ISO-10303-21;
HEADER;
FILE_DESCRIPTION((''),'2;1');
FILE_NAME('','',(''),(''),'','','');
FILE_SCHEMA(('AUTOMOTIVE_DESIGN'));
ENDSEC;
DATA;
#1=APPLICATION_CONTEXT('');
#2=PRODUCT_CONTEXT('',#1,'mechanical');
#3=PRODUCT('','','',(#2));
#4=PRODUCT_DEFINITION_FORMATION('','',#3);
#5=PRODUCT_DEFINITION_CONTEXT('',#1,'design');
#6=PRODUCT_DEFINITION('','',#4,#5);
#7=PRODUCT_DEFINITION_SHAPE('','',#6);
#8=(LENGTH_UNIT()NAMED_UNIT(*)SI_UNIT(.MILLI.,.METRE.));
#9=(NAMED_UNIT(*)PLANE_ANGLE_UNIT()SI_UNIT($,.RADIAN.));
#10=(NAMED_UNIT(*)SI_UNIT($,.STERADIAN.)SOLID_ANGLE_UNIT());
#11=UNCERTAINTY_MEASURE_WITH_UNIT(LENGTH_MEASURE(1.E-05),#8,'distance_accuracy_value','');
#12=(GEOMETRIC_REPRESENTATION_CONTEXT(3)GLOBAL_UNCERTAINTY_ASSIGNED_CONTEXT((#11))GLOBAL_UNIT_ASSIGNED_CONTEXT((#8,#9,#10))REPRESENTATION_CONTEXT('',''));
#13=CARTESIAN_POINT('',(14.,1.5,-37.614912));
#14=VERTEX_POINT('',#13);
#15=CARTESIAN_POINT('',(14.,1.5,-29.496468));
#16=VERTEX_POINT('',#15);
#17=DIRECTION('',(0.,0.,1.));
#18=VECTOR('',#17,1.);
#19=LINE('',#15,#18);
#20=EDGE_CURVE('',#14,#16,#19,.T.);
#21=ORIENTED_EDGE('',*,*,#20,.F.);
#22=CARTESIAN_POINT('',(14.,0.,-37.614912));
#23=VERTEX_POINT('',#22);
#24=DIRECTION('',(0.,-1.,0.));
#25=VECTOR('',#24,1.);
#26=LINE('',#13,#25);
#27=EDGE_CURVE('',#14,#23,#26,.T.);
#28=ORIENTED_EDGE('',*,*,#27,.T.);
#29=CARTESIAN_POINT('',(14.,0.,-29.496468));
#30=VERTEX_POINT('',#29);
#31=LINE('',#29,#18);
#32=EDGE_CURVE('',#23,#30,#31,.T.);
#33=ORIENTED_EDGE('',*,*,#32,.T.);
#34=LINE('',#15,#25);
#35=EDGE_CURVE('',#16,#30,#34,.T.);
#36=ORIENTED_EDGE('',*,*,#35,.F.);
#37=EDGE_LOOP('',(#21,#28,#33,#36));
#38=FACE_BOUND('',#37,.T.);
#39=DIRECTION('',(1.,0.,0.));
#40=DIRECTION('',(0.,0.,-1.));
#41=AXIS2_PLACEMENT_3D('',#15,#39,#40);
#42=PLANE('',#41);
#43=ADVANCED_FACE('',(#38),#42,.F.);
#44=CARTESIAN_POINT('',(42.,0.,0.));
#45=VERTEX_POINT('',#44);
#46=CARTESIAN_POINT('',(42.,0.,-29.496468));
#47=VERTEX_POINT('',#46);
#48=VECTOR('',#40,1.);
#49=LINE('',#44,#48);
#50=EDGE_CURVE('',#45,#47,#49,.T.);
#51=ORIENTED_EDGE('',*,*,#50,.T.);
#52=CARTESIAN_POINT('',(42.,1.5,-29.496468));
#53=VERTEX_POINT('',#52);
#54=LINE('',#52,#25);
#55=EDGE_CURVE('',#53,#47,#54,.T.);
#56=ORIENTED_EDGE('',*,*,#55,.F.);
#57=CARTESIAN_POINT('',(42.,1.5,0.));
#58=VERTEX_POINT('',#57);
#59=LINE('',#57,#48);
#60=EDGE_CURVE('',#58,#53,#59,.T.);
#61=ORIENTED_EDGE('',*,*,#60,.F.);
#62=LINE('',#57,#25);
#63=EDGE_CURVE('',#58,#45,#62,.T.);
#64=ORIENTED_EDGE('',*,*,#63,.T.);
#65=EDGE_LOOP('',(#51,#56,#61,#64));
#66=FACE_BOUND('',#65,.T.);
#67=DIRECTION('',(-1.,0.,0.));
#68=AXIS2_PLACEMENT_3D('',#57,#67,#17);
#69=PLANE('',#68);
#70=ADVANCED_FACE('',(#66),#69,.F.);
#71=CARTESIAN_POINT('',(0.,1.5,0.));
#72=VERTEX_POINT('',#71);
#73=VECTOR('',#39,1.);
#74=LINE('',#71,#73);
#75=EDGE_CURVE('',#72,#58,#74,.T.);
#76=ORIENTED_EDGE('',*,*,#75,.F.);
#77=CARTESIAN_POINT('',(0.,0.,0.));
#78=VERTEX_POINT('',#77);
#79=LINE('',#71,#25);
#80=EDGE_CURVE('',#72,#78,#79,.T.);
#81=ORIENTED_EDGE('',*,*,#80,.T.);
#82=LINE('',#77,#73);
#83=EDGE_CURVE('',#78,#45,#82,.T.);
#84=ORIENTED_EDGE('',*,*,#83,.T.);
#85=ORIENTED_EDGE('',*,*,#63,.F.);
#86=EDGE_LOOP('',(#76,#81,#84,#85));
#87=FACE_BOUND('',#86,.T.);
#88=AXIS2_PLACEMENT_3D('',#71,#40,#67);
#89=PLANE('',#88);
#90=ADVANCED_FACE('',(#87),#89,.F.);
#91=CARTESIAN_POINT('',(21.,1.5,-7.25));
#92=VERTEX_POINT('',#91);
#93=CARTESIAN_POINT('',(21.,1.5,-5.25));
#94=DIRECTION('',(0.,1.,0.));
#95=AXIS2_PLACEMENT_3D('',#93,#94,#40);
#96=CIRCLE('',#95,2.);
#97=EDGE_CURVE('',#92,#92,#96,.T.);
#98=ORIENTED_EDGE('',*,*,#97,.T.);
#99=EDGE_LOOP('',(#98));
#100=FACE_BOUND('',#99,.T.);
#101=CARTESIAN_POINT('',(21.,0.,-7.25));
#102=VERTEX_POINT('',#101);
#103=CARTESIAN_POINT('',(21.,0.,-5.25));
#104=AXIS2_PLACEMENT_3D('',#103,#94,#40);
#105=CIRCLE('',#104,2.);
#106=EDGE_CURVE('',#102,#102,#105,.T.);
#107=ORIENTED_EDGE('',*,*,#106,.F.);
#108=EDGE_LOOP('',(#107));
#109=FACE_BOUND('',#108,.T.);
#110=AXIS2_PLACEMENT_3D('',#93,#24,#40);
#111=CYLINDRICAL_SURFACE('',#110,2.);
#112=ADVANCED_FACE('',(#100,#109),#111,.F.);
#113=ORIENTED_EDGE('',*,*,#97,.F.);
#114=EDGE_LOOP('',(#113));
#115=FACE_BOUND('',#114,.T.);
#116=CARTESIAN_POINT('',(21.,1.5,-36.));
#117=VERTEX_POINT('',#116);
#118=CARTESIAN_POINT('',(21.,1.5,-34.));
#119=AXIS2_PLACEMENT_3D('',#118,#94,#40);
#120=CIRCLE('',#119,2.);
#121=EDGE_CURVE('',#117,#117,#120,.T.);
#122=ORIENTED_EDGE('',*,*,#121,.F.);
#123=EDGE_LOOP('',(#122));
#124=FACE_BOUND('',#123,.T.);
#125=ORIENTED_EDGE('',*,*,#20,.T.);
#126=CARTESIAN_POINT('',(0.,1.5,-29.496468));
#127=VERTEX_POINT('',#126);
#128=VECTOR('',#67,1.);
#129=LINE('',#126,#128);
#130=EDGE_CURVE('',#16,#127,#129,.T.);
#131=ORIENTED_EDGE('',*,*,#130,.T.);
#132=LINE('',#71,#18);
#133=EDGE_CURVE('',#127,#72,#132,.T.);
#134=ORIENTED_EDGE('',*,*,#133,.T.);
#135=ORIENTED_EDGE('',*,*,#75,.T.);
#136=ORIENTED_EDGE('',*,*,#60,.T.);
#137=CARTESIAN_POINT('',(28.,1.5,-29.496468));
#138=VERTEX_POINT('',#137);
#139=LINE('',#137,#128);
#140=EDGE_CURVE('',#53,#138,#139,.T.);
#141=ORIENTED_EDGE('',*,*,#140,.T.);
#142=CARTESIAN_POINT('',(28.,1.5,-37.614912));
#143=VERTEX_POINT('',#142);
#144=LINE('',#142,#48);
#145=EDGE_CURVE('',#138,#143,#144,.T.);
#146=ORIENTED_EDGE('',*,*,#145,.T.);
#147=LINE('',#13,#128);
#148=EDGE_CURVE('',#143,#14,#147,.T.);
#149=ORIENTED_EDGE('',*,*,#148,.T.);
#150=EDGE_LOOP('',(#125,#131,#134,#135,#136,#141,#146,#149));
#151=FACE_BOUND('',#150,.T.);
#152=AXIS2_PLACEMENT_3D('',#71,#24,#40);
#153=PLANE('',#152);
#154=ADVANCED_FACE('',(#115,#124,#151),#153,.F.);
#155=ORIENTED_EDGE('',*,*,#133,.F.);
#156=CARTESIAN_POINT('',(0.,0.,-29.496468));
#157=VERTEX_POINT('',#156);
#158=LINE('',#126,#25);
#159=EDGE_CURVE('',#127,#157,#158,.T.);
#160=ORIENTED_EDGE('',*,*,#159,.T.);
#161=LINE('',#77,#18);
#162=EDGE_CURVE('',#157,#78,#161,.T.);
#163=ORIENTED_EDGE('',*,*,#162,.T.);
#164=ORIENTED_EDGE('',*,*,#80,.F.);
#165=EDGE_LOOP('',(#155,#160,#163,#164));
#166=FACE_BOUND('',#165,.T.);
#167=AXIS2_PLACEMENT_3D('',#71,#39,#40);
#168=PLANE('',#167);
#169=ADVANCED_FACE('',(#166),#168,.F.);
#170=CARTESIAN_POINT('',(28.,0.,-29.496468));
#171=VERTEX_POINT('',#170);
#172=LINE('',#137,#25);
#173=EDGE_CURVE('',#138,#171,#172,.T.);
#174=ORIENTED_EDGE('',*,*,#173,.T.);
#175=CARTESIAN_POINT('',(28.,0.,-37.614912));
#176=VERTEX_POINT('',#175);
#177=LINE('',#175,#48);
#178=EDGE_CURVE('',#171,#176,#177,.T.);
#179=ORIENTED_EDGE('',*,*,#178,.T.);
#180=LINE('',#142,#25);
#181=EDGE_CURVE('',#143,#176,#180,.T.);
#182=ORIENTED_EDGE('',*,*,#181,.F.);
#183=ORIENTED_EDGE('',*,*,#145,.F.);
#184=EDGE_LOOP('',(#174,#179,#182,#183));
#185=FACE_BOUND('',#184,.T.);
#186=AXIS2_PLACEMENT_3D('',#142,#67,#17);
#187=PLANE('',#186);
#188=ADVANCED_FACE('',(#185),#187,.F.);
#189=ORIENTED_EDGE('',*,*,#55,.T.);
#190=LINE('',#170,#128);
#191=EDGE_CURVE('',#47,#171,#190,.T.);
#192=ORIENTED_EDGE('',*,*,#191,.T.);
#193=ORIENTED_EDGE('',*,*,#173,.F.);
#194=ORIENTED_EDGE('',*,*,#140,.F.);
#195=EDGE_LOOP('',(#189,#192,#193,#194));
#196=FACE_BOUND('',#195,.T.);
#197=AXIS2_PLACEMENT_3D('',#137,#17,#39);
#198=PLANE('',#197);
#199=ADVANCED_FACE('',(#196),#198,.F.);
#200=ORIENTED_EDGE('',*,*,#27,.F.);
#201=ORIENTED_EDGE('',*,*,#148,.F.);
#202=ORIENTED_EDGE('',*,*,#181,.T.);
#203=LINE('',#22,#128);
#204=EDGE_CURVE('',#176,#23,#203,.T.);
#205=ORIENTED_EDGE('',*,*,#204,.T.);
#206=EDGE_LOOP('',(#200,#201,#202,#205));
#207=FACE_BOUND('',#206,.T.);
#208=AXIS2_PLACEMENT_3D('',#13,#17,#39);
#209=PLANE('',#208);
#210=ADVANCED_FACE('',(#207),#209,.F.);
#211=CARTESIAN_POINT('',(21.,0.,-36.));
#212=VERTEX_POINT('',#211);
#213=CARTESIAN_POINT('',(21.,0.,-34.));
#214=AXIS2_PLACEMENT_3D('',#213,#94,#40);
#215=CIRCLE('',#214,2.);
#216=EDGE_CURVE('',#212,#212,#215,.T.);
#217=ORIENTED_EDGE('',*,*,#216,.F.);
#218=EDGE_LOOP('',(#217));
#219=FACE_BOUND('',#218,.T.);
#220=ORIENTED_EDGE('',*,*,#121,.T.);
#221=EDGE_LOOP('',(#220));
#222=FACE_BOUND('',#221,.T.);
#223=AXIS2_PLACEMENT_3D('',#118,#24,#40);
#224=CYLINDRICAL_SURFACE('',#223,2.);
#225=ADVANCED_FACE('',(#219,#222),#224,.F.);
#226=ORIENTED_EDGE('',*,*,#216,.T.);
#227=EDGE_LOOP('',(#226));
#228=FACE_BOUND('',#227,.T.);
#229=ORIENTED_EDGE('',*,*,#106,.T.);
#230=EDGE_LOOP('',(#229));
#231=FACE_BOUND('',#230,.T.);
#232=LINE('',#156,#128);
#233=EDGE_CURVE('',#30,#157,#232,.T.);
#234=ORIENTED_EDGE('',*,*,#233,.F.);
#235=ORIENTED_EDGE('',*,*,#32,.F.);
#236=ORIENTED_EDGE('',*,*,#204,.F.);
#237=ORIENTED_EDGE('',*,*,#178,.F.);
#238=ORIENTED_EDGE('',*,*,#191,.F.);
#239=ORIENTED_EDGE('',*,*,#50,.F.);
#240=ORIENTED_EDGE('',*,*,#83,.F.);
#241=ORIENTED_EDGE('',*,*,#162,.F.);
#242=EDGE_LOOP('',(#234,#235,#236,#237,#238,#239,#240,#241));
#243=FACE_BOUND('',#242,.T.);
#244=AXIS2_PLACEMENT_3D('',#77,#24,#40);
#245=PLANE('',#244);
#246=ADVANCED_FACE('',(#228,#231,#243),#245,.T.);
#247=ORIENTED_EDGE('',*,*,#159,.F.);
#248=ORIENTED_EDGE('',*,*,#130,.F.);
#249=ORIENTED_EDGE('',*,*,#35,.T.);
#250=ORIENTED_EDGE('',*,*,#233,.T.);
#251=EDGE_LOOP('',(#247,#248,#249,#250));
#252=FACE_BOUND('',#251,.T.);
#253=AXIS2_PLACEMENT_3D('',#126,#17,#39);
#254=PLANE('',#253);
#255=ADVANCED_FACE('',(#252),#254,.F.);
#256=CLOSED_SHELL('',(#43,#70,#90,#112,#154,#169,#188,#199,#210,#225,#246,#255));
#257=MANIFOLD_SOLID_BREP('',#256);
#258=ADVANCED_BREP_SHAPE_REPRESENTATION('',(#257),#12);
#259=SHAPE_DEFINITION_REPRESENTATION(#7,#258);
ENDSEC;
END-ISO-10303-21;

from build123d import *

# Parameters (mm, degrees)
SKETCH_1_R      = 2
EXTRUDE_1_DEPTH = 1.5


with BuildPart() as part:
    # Эскиз1 → Бобышка-Вытянуть1 (new body)
    with BuildSketch(Plane(origin=(0, 0, 0), x_dir=(1, 0, 0), z_dir=(0, 1, 0))):
        Polygon((0, 29.496468405), (14, 29.496468405), (14, 37.614912407), (28, 37.614912407), (28, 29.496468405), (42, 29.496468405), (42, 0), (0, 0), align=None)
        with Locations((21, 5.25)):
            Circle(SKETCH_1_R, mode=Mode.SUBTRACT)
        with Locations((21, 34)):
            Circle(SKETCH_1_R, mode=Mode.SUBTRACT)
    extrude(amount=EXTRUDE_1_DEPTH)


solid = part.part
